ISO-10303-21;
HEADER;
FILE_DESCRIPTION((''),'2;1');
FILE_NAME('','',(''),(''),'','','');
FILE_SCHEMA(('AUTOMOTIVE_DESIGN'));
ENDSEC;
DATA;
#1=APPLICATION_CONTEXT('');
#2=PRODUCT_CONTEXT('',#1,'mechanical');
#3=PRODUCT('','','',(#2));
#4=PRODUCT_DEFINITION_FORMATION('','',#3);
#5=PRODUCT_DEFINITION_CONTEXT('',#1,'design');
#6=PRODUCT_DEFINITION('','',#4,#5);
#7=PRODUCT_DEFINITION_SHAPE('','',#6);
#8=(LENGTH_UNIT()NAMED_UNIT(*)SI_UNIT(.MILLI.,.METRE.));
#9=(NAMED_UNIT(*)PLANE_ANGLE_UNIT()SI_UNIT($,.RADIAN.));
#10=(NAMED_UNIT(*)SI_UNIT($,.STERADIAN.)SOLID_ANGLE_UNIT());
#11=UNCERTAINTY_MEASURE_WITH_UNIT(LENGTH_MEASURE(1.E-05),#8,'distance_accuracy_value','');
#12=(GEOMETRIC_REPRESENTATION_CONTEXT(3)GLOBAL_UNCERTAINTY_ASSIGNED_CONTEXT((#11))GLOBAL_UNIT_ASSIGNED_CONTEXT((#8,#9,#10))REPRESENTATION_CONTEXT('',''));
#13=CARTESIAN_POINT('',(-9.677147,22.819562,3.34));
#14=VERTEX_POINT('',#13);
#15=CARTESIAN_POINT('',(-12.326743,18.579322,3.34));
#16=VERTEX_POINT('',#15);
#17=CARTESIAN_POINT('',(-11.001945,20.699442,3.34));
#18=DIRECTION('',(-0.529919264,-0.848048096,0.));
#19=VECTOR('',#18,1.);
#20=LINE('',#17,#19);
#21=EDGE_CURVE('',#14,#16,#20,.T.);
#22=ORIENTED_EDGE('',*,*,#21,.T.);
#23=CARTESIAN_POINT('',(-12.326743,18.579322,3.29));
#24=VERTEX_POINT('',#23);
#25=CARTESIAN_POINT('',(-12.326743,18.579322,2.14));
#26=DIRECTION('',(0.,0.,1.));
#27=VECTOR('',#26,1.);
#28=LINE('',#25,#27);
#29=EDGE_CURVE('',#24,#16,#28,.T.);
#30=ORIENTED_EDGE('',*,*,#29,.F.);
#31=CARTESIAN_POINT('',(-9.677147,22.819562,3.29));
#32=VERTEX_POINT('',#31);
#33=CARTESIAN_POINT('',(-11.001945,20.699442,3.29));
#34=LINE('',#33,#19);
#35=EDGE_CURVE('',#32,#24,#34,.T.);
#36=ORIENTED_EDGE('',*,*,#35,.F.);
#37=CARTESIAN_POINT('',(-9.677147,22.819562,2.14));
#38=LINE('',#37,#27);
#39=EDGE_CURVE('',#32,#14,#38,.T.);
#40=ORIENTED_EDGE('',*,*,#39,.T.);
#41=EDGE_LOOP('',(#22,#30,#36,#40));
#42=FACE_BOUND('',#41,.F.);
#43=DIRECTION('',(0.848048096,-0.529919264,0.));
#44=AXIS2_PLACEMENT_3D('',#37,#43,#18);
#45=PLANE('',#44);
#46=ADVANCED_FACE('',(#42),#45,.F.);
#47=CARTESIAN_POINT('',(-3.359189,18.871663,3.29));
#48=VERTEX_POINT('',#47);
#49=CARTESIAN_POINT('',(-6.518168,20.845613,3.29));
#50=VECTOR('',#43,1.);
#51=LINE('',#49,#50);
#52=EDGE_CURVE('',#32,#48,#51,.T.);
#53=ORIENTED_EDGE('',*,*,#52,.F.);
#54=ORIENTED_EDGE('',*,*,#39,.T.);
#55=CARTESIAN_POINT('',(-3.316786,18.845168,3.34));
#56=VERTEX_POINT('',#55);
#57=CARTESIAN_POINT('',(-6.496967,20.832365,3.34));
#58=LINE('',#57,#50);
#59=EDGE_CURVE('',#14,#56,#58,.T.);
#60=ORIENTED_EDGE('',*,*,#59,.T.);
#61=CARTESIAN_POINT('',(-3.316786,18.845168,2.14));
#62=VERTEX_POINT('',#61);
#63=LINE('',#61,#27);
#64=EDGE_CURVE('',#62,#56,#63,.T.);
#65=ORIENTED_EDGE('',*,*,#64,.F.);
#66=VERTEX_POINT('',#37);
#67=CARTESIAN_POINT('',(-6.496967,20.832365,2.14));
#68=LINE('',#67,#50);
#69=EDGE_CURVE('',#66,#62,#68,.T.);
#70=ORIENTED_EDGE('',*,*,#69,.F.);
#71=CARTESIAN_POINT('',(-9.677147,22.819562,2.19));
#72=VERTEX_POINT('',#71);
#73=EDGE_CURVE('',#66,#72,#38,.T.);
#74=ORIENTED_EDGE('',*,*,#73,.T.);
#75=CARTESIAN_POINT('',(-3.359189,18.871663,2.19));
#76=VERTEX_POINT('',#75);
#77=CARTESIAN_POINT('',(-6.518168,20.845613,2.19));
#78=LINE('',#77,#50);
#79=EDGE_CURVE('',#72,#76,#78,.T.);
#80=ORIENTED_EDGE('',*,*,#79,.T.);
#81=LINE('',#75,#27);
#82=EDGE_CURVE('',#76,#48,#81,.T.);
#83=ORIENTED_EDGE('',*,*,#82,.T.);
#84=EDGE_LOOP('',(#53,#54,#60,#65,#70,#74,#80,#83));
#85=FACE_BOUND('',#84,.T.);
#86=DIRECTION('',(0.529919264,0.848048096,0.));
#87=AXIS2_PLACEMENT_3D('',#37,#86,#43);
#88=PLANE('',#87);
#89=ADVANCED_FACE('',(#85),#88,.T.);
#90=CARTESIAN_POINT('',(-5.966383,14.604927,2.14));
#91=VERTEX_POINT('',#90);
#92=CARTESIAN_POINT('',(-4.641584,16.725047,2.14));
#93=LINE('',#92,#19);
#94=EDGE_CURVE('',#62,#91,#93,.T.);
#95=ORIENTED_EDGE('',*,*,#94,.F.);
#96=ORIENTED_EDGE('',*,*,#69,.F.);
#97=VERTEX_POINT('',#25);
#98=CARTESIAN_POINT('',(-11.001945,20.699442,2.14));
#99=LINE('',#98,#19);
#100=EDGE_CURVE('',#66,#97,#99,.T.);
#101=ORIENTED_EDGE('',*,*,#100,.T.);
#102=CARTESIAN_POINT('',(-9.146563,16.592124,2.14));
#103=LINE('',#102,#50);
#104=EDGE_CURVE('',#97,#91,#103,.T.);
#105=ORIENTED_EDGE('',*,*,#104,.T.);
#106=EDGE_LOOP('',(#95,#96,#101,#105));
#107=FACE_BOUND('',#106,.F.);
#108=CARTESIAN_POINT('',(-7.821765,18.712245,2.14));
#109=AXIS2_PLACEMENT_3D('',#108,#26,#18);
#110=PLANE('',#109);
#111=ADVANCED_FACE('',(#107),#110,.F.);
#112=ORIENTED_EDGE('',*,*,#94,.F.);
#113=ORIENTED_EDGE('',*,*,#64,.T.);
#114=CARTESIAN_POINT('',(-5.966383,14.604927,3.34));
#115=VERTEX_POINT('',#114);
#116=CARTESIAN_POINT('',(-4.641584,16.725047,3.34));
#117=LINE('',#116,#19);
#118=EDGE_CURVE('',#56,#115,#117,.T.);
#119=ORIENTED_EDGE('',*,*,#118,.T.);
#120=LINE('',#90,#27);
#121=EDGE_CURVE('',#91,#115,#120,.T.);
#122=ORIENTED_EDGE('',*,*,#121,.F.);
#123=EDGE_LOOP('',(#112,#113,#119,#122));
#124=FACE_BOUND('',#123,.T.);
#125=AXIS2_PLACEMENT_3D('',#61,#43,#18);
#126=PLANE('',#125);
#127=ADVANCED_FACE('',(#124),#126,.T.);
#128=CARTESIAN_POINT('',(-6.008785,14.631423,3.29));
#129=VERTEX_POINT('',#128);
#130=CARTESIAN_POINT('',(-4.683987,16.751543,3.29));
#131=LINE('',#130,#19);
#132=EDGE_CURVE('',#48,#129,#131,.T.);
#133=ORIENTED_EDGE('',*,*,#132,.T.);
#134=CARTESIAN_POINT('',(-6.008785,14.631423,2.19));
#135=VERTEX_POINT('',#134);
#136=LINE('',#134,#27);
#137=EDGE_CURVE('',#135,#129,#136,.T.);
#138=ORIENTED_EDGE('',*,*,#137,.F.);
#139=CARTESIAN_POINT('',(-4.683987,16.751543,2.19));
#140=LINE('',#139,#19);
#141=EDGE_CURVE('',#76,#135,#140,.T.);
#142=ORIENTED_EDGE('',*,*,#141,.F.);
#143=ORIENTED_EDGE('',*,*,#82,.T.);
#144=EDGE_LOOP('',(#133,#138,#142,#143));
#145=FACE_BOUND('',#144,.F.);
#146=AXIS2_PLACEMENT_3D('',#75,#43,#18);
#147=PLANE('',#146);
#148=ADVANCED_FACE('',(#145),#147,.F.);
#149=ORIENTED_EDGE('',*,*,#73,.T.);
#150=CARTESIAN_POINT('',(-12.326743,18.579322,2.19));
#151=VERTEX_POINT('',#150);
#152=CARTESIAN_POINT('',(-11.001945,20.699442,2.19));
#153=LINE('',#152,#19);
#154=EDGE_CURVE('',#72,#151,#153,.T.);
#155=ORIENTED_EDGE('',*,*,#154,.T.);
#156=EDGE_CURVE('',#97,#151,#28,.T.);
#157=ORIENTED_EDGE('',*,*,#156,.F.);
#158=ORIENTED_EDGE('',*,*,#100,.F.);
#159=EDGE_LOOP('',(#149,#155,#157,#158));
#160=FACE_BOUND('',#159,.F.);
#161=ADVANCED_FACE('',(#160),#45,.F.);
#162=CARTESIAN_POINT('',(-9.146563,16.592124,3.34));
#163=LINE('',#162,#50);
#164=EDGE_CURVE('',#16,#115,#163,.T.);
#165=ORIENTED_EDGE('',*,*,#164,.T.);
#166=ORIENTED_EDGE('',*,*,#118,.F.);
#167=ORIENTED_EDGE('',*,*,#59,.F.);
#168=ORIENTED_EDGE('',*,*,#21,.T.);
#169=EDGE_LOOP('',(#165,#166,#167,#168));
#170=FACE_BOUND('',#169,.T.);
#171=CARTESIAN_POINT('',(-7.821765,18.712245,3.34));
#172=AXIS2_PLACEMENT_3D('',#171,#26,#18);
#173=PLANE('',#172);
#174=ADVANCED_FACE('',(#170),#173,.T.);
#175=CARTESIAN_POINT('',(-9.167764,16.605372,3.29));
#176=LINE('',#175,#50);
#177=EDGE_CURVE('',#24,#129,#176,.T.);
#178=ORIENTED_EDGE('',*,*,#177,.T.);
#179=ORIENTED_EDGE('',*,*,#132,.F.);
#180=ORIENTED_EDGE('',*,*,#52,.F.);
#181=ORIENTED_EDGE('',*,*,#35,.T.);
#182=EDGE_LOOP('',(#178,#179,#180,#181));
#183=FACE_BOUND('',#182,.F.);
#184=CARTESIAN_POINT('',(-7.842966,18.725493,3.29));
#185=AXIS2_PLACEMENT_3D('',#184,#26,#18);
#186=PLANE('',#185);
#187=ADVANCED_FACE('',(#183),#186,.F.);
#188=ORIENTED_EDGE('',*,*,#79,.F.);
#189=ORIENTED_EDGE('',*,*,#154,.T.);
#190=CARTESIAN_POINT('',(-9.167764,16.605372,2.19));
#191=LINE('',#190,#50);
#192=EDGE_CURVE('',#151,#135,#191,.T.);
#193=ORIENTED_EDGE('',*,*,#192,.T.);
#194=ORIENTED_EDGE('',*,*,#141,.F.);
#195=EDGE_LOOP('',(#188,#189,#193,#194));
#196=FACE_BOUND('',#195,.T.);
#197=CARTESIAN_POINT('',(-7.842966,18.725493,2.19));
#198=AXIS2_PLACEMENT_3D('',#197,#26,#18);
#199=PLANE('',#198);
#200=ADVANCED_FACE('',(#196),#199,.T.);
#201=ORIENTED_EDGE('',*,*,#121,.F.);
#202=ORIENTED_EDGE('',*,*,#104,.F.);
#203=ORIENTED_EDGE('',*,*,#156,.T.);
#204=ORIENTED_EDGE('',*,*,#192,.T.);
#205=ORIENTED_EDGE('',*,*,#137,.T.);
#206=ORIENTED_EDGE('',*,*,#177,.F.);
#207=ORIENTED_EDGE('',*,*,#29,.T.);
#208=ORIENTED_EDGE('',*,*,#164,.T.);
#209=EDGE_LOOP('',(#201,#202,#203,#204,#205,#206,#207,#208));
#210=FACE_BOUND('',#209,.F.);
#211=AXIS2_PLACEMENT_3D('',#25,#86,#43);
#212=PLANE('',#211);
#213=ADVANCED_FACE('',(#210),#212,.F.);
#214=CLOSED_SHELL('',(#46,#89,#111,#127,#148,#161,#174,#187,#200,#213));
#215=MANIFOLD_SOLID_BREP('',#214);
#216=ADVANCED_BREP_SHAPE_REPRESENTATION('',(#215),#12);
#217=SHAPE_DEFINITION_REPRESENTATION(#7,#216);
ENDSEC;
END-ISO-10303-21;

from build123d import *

# Parameters (mm, degrees)
BOX176_W               = 5
BOX176_H               = 7.45
BOX176_DEPTH           = 1.1
BOX175_W               = 5
BOX175_H               = 7.5
BOX175_DEPTH           = 1.2
CUT086_PLACEMENT_ANGLE = 122


with BuildPart() as small_cu_gnd_electrode072:
    # Box176 → Box176 (new body)
    with BuildSketch(Plane.XY.offset(0.05)):
        with Locations((2.5, 3.725)):
            Rectangle(BOX176_W, BOX176_H)
    extrude(amount=BOX176_DEPTH)


with BuildPart() as small_cu_electrode001_long_axis_v008:
    # Box175 → Box175 (new body)
    with BuildSketch(Plane.XY):
        with Locations((2.5, 3.75)):
            Rectangle(BOX175_W, BOX175_H)
    extrude(amount=BOX175_DEPTH)

    # Cut086: cut Small Cu GND Electrode072
    add(small_cu_gnd_electrode072.part, mode=Mode.SUBTRACT)


with BuildPart() as small_cu_electrode001_long_axis_v008_1:
    # Cut086 placement: moved
    add(small_cu_electrode001_long_axis_v008.part.moved(Location((-9.677147, 22.819562, 2.14))).rotate(Axis((-9.677147, 22.819562, 2.14), (0, 0, -1)), CUT086_PLACEMENT_ANGLE))


solid = small_cu_electrode001_long_axis_v008_1.part
